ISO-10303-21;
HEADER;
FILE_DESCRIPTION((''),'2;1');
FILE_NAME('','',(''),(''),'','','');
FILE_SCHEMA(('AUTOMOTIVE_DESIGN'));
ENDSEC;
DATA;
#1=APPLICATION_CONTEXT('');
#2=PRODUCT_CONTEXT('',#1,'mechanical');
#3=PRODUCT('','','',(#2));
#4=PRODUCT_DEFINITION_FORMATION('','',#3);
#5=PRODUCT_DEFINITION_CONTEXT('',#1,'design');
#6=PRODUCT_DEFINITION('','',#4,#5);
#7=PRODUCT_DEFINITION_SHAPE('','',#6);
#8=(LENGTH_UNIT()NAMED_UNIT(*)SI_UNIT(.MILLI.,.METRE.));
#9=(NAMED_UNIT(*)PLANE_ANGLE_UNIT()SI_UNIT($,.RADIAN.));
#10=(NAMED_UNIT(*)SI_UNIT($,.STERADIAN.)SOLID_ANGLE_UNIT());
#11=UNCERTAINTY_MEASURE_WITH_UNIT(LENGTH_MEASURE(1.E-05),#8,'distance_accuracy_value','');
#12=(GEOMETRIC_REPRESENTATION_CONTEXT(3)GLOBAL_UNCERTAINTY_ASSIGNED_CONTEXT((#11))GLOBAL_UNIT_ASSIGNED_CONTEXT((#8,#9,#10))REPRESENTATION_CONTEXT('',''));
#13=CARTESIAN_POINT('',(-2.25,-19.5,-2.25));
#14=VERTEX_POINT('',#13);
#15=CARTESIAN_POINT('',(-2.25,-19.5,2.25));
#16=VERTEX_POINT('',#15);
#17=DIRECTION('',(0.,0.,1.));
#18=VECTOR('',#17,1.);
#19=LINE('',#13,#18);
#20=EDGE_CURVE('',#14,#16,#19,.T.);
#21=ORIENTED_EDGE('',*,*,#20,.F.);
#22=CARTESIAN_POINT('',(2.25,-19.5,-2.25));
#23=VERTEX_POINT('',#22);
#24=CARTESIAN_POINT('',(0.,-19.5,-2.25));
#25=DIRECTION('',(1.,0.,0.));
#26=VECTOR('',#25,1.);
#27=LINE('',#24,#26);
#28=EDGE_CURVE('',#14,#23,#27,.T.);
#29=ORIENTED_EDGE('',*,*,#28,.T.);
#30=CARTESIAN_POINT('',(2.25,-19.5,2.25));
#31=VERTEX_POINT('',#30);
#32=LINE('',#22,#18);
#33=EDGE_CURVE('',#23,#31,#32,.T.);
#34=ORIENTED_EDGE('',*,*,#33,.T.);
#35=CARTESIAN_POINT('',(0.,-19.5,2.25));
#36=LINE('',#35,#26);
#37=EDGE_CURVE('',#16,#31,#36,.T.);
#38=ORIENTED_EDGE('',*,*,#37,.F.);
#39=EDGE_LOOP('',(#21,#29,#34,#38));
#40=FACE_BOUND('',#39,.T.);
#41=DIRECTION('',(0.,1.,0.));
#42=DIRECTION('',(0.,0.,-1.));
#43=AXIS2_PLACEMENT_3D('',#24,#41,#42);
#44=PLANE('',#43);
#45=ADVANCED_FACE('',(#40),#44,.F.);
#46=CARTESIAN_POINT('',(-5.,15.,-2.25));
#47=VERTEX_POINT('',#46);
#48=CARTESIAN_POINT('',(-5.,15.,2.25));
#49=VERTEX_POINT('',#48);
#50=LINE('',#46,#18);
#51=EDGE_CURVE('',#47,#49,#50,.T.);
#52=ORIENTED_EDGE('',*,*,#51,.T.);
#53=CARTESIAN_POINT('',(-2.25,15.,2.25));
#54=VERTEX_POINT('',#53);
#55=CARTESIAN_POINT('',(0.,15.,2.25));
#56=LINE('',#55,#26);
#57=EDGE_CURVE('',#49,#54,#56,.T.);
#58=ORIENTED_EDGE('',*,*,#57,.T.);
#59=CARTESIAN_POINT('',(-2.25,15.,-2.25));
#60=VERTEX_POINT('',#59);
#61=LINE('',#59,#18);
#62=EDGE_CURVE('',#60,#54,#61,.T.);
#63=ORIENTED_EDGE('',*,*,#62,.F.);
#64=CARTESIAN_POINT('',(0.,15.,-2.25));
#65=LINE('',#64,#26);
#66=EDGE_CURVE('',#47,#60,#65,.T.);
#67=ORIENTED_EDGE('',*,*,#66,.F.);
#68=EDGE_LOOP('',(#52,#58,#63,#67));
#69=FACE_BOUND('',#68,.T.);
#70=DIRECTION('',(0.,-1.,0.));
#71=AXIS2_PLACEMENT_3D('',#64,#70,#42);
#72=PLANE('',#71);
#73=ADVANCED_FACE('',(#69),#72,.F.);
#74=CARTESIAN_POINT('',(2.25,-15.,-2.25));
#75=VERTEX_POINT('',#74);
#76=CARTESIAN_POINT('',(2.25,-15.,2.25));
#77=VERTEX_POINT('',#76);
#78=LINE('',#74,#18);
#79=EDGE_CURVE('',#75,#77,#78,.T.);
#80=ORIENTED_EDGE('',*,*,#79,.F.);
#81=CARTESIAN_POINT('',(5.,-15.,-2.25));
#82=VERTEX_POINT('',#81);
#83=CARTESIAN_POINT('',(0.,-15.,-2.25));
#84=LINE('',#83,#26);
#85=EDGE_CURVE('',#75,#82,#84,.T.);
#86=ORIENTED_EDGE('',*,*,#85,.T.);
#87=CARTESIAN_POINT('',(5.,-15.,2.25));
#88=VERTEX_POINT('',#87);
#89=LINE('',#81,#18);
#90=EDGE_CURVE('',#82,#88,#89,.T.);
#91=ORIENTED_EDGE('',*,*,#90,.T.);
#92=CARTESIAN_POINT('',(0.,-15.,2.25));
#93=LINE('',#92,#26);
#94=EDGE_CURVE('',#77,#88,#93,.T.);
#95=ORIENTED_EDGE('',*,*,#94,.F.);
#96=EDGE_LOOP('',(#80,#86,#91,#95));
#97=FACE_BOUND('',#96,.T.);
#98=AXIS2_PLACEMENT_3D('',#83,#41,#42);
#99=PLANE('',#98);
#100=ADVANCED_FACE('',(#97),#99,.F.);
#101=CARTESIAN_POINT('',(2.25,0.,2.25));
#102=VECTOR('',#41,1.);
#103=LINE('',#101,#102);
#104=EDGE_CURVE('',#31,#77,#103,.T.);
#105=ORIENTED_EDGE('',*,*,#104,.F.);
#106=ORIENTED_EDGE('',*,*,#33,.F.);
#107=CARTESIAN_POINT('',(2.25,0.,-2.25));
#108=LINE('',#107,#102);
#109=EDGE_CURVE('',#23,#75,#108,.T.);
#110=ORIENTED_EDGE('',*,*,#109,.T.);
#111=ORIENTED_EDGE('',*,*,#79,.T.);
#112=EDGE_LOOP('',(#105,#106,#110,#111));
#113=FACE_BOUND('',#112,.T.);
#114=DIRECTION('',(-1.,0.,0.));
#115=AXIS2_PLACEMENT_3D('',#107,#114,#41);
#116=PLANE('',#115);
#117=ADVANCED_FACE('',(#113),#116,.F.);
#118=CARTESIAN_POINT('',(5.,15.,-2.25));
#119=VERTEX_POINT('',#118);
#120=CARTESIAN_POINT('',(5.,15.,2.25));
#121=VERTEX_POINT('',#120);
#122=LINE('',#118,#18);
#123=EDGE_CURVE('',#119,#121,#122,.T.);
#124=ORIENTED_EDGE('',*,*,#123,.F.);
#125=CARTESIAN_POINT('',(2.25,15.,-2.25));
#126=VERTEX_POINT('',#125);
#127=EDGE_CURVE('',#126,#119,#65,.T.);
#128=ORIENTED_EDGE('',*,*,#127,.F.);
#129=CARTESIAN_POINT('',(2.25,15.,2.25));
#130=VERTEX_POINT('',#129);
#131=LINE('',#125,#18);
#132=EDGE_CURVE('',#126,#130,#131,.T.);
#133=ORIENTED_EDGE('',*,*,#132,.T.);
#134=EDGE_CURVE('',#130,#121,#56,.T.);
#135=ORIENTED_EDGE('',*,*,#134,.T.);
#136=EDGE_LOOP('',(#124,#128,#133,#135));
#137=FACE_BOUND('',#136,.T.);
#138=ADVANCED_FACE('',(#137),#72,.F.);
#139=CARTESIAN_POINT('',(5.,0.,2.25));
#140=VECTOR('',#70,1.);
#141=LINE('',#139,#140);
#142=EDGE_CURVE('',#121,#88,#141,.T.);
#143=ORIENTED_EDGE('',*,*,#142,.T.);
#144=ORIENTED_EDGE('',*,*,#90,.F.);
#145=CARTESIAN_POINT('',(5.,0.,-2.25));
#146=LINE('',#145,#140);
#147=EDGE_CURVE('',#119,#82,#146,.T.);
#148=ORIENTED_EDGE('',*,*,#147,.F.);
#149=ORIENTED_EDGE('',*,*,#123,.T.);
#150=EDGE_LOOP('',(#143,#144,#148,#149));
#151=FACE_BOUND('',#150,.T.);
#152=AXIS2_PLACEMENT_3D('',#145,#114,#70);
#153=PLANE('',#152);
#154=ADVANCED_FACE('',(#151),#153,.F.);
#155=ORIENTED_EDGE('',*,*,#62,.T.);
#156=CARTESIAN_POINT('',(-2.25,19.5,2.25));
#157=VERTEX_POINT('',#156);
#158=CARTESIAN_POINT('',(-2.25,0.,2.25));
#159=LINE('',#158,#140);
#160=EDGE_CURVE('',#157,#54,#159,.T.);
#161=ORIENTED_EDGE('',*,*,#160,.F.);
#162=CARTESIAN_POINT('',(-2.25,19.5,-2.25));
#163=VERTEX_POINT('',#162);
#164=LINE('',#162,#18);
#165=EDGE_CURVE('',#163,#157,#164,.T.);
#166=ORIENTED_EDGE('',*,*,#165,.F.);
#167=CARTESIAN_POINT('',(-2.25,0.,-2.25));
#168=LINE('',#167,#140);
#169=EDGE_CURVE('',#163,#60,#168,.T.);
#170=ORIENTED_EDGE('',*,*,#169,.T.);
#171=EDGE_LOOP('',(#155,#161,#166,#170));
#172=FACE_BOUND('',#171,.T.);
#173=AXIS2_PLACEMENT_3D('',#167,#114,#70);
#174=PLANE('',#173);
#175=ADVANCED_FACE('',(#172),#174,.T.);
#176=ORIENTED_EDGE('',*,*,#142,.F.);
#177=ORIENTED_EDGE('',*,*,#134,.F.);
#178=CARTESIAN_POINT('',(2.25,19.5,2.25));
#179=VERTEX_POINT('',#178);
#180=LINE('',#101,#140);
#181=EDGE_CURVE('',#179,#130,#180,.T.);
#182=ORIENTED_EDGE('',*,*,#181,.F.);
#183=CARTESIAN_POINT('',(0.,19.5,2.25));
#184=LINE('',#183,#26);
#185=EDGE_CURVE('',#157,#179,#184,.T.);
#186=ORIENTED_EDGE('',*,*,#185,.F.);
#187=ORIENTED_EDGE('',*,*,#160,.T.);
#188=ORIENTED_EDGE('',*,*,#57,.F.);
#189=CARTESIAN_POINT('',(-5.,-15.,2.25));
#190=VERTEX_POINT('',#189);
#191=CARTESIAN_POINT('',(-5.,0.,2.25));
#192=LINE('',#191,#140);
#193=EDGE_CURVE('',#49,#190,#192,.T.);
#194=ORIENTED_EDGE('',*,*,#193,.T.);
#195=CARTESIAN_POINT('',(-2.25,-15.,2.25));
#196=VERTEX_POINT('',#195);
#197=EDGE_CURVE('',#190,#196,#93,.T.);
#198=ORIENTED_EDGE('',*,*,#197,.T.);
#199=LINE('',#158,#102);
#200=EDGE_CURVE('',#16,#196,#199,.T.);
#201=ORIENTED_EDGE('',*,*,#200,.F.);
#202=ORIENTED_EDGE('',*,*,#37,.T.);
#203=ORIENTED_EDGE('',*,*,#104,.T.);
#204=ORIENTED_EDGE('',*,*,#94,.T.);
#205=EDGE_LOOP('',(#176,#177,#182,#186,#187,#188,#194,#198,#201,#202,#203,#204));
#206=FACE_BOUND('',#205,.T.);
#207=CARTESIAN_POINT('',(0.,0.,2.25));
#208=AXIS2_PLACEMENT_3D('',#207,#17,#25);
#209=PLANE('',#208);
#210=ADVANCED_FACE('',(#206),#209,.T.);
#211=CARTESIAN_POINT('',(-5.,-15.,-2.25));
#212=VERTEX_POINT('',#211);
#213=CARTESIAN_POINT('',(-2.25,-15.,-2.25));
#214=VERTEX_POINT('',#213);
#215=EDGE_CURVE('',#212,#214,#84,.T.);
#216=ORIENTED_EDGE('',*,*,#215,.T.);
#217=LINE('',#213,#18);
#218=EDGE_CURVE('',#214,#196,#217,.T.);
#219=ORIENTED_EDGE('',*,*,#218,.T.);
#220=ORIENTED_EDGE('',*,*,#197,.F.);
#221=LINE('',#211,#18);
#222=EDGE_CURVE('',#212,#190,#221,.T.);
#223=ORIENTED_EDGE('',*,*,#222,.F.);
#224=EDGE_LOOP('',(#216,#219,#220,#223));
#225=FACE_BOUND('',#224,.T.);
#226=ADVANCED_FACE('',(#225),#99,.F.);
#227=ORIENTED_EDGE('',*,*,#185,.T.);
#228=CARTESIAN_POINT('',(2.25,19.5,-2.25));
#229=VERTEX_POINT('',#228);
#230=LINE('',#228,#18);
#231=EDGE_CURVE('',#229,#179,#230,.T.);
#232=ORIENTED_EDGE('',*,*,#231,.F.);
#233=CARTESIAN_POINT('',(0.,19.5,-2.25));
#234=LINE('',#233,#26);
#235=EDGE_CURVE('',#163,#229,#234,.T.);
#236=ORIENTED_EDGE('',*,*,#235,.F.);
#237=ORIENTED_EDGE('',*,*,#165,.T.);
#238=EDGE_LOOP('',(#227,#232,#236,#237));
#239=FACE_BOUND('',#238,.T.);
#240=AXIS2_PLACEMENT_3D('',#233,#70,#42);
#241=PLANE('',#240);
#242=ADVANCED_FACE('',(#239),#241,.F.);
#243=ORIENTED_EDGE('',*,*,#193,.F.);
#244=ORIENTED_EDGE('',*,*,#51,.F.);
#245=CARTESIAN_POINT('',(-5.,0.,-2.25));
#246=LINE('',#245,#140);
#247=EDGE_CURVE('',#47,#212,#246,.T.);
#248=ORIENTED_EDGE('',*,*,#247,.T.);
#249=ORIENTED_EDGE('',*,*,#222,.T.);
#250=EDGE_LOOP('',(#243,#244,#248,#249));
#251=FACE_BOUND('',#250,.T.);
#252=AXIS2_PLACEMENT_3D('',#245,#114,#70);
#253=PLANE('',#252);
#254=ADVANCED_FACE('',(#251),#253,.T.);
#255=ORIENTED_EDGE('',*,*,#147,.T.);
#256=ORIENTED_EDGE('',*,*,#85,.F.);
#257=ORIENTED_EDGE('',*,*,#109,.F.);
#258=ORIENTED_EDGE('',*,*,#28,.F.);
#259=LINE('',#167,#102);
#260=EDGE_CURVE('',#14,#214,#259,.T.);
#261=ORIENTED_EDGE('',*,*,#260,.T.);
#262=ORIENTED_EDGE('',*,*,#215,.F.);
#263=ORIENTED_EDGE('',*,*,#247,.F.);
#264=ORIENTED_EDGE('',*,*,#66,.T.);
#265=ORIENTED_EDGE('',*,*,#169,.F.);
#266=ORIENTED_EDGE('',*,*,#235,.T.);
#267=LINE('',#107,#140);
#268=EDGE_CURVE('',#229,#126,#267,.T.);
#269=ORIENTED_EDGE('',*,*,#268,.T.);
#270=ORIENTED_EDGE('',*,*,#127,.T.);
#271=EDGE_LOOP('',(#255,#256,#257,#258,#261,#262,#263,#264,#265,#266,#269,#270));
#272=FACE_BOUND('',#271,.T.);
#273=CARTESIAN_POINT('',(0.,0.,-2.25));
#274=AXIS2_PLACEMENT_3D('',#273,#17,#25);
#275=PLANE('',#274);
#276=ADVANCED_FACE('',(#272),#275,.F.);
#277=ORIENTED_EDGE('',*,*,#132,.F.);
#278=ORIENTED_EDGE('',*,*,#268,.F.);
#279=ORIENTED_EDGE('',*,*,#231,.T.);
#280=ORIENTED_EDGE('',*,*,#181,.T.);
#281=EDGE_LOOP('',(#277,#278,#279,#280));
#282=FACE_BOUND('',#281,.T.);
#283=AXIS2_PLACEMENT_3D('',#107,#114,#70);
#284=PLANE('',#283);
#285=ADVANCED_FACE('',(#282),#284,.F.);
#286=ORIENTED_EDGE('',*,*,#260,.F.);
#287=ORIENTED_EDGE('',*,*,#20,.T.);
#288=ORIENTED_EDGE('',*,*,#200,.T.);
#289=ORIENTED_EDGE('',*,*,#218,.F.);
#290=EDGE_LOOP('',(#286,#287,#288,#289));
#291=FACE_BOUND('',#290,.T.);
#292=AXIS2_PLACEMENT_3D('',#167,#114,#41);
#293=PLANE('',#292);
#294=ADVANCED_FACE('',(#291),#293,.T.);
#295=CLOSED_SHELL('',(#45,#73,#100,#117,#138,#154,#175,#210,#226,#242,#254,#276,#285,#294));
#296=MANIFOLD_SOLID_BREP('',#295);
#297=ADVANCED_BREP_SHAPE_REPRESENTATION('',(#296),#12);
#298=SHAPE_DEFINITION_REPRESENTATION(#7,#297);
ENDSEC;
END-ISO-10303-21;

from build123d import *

# Parameters (mm, degrees)
SKETCH2_W           = 4.5
SKETCH2_H           = 4.5
SKETCH2_W_2         = 10
SKETCH2_H_2         = 15
BOSS_EXTRUDE1_DEPTH = 2.25


with BuildPart() as part:
    # Sketch2 → Boss-Extrude1 (new body, symmetric)
    with BuildSketch(Plane.XY):
        with Locations((0, 17.25)):
            Rectangle(SKETCH2_W, SKETCH2_H)
        with Locations((0, 7.5)):
            Rectangle(SKETCH2_W_2, SKETCH2_H_2)
    extrude(amount=BOSS_EXTRUDE1_DEPTH, both=True)

    # Mirror1: part across plane


with BuildPart() as part_1:
    add(part.part)
    add(part.part.mirror(Plane.ZX))


solid = part_1.part
